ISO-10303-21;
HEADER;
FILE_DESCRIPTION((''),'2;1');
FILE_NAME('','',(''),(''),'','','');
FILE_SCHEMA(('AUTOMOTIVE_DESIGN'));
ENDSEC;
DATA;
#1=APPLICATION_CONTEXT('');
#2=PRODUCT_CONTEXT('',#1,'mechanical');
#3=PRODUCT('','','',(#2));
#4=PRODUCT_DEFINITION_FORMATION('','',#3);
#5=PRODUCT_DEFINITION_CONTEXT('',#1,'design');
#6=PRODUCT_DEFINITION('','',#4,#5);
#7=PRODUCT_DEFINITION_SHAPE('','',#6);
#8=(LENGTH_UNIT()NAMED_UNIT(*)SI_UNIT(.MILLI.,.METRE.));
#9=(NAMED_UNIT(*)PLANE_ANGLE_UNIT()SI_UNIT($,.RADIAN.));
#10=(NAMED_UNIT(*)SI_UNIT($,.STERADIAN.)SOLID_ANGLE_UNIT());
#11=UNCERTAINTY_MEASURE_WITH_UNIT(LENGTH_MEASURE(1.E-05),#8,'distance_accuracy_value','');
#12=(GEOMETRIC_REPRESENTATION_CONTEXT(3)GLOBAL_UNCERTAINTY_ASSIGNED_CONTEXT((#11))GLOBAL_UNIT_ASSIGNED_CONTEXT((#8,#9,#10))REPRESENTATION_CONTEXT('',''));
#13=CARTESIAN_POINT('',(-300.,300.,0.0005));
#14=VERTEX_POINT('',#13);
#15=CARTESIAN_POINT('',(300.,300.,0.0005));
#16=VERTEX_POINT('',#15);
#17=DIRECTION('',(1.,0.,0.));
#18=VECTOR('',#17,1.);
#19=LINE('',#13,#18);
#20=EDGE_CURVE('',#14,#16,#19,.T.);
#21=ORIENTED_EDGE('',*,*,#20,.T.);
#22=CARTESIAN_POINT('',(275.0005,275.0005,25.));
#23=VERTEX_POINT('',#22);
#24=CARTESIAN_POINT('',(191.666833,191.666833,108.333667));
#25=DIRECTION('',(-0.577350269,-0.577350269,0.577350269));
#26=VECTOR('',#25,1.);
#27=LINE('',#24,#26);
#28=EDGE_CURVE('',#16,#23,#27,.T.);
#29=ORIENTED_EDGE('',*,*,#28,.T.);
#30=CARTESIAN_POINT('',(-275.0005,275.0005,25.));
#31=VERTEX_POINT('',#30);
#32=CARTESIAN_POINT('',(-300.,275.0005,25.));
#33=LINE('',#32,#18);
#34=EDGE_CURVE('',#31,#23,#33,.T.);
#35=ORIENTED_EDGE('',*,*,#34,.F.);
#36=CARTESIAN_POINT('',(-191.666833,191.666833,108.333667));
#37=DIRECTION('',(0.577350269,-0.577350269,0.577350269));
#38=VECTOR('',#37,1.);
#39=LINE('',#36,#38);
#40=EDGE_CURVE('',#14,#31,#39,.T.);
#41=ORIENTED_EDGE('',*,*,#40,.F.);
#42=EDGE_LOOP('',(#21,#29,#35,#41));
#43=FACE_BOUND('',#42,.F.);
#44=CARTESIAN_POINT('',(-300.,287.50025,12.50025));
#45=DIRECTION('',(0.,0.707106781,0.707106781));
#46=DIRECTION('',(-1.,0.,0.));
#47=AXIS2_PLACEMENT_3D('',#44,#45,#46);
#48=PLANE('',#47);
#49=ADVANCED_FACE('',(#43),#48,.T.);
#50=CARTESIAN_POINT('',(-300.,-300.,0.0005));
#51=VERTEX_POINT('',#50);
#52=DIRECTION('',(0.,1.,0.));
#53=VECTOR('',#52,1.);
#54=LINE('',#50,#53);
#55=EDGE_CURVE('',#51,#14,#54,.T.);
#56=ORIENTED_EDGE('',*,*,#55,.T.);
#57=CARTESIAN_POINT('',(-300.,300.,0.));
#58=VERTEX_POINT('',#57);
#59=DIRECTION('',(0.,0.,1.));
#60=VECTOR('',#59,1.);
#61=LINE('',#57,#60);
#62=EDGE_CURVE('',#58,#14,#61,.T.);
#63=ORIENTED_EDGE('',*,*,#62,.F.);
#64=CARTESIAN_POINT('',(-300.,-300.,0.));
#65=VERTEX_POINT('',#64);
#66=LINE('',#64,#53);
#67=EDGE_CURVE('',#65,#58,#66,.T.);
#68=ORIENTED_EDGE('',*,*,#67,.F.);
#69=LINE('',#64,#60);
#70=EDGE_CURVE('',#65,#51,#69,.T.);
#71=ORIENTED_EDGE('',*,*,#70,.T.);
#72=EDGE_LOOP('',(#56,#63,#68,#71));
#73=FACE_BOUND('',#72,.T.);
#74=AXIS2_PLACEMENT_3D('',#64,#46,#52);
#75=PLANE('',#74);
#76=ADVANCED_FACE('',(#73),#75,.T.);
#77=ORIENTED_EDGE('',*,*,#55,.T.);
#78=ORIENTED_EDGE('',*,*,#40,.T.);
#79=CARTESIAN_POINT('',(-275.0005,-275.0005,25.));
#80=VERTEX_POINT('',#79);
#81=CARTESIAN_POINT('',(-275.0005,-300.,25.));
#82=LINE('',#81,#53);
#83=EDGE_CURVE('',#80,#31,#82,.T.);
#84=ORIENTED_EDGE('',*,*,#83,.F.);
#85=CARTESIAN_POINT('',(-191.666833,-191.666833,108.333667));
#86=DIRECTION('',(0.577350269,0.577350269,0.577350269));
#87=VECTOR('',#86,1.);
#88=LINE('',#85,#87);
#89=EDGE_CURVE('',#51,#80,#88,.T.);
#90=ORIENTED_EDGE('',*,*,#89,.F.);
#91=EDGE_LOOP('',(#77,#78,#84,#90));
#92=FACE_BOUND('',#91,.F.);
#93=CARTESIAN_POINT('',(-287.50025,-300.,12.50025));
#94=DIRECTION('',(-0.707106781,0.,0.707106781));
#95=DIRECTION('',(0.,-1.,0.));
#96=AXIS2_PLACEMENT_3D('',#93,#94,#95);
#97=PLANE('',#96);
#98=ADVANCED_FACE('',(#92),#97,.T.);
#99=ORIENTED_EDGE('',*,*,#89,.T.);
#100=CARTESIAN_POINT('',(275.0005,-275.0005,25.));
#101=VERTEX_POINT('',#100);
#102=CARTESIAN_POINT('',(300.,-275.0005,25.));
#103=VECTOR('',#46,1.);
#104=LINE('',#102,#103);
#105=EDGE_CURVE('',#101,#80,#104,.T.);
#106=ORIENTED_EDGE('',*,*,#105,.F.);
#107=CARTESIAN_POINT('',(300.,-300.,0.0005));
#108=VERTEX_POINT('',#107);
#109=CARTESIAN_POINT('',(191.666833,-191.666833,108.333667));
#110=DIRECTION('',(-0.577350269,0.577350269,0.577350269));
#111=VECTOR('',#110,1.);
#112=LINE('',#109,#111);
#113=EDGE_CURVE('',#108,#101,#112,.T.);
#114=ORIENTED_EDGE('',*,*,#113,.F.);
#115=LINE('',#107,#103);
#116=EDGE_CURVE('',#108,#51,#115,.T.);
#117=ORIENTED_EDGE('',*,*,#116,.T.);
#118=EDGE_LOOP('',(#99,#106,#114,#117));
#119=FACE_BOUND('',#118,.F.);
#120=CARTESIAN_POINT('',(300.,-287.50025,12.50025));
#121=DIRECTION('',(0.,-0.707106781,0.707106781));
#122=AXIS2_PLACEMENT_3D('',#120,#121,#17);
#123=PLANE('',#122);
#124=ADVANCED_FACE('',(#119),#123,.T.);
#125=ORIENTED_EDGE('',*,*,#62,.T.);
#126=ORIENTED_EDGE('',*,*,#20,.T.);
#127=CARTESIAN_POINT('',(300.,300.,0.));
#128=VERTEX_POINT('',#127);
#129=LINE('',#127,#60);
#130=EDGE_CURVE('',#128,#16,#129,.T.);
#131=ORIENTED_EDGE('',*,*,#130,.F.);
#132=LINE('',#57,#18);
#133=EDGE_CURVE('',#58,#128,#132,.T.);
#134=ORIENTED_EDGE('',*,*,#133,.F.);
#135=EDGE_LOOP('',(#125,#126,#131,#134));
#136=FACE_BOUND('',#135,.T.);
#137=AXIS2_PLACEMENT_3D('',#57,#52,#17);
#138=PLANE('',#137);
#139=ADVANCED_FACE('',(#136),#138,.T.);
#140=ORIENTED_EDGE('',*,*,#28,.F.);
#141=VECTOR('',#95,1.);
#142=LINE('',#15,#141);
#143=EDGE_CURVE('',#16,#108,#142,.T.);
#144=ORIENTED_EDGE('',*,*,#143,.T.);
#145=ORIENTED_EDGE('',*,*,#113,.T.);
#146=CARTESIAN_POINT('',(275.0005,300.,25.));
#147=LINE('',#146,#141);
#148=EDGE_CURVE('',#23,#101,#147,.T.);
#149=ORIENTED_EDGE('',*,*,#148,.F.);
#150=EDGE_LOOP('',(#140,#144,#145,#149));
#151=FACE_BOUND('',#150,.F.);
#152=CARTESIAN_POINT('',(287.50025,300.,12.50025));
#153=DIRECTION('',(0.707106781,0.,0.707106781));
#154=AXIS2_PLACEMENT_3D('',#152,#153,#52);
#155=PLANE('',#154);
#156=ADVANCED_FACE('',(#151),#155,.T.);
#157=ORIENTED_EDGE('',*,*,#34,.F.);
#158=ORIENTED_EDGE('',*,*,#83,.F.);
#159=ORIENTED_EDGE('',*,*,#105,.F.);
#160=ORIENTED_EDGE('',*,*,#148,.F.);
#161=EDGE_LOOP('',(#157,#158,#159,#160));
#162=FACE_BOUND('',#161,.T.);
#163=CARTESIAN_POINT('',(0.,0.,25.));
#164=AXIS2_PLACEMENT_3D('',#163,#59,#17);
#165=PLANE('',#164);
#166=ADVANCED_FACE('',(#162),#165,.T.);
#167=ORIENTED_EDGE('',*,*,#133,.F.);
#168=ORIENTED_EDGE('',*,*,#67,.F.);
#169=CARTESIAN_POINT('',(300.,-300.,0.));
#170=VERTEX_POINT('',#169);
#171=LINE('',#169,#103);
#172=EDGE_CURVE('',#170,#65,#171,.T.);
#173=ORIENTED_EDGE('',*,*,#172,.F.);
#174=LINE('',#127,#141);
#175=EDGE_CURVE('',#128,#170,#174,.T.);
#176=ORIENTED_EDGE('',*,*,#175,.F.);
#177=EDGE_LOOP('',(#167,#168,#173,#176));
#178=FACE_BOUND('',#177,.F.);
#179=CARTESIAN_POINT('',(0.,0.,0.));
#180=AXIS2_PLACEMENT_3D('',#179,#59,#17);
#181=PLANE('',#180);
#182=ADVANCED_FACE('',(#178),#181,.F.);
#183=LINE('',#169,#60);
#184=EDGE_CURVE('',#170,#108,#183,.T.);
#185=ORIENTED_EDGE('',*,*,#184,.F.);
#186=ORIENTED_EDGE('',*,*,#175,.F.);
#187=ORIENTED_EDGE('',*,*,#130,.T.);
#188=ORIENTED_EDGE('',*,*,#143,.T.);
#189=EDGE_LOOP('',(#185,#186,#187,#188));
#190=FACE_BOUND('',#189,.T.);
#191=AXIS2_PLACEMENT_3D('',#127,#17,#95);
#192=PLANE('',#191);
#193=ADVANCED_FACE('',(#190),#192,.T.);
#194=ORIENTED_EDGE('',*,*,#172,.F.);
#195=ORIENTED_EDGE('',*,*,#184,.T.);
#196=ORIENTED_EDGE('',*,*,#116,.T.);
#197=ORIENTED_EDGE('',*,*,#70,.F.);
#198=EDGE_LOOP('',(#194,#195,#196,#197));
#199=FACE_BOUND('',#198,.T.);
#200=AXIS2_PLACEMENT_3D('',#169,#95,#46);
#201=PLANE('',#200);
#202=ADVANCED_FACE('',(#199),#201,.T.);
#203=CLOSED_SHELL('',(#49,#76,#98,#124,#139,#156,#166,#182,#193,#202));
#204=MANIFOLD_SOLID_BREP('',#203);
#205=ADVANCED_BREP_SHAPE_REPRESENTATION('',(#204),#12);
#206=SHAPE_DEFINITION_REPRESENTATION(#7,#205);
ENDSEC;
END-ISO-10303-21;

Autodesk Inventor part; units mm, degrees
ref_plane "YZ Plane" through (0, 0, 0) normal (1, 0, 0) x (0, 1, 0)
ref_plane "XZ Plane" through (0, 0, 0) normal (0, 1, 0) x (-1, 0, 0)
ref_plane "XY Plane" through (0, 0, 0) normal (0, 0, 1) x (1, 0, 0)
sketch "Sketch1" plane through (0, 0, 0) normal (0, 0, 1) x (1, 0, 0)
  line L0 (-300, 300) -> (300, 300)
  line L1 (300, 300) -> (300, -300)
  line L2 (300, -300) -> (-300, -300)
  line L3 (-300, -300) -> (-300, 300)
  point P0 (0, 0)
  dimension "d0" = 600
  dimension "d1" = 600
  dimension "d2" = 300
  dimension "d3" = 300
extrude "Extrusion1" add sketch "Sketch1" along normal blind 25
sketch "Sketch2" plane through (0, 0, 25) normal (0, 0, 1) x (1, 0, 0)
  point P0 (0, 0)
chamfer "Chamfer1" distance 25 angle 45 4 edges at (-300, 0, 25) (0, -300, 25) (300, 0, 25) (0, 300, 25)
properties part number "Element"
